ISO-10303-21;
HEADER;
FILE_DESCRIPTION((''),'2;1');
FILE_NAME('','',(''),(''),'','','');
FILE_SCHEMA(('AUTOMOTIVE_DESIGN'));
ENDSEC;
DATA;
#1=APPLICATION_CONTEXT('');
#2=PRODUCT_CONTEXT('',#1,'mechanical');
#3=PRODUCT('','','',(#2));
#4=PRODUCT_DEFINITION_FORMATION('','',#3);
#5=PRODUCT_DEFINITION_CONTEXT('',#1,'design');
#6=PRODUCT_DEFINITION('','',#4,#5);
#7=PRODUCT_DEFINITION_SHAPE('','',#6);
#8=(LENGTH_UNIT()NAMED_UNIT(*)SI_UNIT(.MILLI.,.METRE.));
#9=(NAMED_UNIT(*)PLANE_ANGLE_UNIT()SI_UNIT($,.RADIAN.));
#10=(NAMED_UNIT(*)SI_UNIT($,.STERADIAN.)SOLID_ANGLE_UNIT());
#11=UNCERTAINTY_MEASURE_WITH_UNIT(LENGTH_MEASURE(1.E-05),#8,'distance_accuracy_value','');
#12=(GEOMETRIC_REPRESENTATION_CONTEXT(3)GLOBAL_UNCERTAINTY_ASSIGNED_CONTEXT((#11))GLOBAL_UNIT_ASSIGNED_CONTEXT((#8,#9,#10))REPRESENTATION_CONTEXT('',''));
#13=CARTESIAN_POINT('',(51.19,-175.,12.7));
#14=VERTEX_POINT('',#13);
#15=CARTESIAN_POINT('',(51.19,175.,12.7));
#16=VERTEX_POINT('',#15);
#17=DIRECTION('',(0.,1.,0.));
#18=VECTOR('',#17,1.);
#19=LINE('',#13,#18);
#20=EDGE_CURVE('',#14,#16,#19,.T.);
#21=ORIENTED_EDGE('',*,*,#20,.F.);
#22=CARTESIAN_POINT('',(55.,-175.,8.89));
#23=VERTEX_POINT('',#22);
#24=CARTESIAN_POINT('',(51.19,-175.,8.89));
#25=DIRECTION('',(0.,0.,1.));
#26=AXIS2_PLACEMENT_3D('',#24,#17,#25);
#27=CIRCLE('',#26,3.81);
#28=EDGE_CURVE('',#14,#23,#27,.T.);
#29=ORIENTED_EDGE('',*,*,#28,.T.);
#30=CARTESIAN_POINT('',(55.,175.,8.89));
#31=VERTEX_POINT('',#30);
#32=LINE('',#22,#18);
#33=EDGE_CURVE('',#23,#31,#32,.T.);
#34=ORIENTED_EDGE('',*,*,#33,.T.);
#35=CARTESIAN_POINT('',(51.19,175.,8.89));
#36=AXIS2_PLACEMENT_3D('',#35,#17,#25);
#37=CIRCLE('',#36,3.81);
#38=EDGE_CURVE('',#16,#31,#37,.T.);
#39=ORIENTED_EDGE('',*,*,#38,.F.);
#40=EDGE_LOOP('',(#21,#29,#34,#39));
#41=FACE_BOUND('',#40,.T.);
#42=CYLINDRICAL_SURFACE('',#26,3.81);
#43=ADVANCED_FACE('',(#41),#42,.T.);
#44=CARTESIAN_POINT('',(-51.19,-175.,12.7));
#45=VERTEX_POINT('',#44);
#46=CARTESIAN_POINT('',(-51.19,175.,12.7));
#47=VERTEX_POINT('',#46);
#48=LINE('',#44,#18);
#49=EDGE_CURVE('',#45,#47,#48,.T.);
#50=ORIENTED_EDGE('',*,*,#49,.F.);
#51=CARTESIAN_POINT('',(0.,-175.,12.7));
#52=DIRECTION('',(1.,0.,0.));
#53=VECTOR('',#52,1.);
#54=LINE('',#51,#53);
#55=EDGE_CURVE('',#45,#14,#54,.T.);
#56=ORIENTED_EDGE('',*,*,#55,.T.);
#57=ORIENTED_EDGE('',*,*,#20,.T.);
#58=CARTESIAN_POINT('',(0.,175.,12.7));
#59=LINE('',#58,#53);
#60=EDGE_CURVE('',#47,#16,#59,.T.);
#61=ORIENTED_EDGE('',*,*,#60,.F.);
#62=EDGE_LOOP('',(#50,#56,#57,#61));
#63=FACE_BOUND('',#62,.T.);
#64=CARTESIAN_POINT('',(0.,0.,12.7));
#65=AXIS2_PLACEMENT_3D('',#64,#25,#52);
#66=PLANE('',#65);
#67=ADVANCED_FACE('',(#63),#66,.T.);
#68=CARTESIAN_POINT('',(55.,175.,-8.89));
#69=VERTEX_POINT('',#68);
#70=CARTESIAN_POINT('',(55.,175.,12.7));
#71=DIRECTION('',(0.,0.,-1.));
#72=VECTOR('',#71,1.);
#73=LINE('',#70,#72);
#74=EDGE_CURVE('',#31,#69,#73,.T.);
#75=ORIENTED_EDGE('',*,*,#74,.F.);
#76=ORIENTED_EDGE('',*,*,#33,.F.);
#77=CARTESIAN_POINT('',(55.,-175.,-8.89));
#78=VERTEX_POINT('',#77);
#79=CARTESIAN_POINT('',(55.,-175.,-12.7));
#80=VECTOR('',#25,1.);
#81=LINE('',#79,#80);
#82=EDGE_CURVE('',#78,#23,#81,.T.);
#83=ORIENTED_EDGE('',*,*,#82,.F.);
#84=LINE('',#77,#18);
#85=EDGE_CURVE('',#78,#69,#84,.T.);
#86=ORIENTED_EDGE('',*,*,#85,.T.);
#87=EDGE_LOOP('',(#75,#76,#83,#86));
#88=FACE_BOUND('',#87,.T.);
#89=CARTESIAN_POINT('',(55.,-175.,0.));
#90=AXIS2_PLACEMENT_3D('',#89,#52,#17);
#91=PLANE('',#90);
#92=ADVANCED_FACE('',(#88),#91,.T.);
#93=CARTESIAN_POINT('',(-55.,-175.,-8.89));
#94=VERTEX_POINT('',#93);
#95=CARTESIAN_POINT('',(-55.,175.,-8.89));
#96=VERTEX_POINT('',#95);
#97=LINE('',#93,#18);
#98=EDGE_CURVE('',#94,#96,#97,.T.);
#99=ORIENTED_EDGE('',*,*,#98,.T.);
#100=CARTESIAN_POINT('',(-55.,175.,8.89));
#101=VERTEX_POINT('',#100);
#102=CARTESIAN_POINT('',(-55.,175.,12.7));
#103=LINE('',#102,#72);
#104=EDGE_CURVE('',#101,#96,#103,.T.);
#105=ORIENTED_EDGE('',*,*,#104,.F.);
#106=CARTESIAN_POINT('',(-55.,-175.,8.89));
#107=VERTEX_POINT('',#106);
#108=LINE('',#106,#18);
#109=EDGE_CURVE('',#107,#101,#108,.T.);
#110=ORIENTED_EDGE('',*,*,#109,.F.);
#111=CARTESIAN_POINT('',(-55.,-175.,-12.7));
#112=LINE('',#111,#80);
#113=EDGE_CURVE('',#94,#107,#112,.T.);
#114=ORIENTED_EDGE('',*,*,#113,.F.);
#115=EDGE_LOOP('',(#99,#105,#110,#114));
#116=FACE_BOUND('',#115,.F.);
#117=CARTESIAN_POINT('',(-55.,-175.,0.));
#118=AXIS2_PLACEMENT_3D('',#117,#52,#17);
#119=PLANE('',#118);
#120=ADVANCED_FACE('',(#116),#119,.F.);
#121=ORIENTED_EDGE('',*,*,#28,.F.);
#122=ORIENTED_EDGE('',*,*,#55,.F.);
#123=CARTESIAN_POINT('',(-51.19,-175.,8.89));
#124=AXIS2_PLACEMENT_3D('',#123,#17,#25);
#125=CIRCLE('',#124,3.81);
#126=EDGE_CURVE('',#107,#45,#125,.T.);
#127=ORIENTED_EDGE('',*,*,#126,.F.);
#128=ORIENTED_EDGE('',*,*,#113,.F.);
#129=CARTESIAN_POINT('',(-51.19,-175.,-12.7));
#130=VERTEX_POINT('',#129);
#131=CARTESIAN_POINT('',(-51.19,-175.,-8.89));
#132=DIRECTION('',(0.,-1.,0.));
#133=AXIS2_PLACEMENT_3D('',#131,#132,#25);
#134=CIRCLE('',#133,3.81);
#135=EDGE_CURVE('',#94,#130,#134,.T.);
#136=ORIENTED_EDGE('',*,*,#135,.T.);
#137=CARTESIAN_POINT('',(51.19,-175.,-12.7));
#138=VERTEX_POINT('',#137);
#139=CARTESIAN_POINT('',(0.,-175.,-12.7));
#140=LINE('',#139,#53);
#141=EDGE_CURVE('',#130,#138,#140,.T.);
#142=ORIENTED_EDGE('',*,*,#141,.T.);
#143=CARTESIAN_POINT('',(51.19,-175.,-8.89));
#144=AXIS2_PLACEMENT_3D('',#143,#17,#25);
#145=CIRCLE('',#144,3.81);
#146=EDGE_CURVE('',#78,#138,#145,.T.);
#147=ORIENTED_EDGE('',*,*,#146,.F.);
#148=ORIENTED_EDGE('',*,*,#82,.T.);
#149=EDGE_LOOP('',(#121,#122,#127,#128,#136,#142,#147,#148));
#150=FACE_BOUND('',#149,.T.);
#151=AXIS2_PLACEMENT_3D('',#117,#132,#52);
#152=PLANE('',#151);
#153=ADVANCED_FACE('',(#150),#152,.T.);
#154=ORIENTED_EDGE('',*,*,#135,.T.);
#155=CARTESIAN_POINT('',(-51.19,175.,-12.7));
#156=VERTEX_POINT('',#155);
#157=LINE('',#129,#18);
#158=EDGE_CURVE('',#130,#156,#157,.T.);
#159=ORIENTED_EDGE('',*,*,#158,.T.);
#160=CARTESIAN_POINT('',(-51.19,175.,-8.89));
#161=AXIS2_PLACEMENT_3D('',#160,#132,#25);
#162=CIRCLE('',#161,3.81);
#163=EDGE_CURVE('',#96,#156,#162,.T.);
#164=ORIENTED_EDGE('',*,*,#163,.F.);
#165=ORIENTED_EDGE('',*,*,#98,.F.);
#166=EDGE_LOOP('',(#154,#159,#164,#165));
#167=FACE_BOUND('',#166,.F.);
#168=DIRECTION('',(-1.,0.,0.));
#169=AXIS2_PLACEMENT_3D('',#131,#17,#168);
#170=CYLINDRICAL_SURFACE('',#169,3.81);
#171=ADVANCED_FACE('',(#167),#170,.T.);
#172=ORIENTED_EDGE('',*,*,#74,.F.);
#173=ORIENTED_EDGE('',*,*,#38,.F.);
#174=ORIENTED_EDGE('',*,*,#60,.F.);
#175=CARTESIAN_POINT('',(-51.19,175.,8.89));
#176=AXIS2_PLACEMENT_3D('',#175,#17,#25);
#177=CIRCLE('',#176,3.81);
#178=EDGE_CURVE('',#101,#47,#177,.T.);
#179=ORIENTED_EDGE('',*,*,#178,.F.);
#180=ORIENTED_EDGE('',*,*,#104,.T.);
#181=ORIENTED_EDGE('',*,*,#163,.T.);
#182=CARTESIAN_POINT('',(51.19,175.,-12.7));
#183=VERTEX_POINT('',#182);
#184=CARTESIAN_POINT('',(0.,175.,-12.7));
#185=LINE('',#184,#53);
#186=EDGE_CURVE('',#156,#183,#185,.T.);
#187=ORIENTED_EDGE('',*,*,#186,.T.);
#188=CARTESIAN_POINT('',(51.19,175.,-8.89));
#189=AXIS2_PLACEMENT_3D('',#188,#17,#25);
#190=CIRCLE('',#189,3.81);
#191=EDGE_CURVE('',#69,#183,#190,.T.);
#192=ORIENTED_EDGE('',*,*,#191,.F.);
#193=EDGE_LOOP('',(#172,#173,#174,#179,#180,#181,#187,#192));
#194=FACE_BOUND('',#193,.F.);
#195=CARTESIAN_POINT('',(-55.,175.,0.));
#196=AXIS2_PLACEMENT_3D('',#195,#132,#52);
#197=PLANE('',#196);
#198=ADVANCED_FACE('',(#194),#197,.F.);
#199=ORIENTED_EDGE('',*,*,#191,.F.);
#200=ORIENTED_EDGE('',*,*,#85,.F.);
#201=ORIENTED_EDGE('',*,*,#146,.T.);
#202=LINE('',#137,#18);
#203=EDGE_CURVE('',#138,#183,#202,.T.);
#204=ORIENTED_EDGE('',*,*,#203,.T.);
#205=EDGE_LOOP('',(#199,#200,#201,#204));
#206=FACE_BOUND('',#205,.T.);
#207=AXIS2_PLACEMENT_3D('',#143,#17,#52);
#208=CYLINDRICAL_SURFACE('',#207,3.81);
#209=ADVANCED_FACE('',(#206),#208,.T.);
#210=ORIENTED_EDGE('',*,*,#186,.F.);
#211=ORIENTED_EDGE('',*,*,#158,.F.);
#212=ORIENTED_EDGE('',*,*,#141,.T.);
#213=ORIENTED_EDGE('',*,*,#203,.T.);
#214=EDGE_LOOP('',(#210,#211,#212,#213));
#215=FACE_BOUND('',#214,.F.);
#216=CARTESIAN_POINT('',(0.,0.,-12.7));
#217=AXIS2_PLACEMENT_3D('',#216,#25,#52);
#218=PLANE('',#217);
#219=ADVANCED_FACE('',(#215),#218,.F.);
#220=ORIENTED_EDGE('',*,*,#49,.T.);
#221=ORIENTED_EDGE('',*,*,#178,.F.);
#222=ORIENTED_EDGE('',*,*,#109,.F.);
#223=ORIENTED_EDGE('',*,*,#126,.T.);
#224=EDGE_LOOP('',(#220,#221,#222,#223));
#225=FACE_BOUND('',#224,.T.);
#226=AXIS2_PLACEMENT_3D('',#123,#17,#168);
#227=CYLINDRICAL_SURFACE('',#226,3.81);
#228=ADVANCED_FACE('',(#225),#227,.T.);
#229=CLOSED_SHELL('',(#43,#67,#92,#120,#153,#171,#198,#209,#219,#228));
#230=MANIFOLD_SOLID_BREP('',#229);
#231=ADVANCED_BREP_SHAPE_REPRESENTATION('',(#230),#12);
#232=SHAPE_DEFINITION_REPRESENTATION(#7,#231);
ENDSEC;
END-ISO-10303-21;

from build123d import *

# Parameters (mm, degrees)
F0_W     = 110
F0_H     = 350
F1_DEPTH = 12.7
F2_R     = 3.81


with BuildPart() as f1:
    # F0 (on Top) → F1 (new body, symmetric)
    with BuildSketch(Plane.XY):
        Rectangle(F0_W, F0_H)
    extrude(amount=F1_DEPTH, both=True)

    # F2
    f2_edges = [f1.edges().sort_by_distance(p)[0] for p in [
        (55, 0, 12.7),
        (55, 0, -12.7),
        (-55, 0, 12.7),
        (-55, 0, -12.7),
    ]]
    fillet(f2_edges, radius=F2_R)


solid = f1.part
